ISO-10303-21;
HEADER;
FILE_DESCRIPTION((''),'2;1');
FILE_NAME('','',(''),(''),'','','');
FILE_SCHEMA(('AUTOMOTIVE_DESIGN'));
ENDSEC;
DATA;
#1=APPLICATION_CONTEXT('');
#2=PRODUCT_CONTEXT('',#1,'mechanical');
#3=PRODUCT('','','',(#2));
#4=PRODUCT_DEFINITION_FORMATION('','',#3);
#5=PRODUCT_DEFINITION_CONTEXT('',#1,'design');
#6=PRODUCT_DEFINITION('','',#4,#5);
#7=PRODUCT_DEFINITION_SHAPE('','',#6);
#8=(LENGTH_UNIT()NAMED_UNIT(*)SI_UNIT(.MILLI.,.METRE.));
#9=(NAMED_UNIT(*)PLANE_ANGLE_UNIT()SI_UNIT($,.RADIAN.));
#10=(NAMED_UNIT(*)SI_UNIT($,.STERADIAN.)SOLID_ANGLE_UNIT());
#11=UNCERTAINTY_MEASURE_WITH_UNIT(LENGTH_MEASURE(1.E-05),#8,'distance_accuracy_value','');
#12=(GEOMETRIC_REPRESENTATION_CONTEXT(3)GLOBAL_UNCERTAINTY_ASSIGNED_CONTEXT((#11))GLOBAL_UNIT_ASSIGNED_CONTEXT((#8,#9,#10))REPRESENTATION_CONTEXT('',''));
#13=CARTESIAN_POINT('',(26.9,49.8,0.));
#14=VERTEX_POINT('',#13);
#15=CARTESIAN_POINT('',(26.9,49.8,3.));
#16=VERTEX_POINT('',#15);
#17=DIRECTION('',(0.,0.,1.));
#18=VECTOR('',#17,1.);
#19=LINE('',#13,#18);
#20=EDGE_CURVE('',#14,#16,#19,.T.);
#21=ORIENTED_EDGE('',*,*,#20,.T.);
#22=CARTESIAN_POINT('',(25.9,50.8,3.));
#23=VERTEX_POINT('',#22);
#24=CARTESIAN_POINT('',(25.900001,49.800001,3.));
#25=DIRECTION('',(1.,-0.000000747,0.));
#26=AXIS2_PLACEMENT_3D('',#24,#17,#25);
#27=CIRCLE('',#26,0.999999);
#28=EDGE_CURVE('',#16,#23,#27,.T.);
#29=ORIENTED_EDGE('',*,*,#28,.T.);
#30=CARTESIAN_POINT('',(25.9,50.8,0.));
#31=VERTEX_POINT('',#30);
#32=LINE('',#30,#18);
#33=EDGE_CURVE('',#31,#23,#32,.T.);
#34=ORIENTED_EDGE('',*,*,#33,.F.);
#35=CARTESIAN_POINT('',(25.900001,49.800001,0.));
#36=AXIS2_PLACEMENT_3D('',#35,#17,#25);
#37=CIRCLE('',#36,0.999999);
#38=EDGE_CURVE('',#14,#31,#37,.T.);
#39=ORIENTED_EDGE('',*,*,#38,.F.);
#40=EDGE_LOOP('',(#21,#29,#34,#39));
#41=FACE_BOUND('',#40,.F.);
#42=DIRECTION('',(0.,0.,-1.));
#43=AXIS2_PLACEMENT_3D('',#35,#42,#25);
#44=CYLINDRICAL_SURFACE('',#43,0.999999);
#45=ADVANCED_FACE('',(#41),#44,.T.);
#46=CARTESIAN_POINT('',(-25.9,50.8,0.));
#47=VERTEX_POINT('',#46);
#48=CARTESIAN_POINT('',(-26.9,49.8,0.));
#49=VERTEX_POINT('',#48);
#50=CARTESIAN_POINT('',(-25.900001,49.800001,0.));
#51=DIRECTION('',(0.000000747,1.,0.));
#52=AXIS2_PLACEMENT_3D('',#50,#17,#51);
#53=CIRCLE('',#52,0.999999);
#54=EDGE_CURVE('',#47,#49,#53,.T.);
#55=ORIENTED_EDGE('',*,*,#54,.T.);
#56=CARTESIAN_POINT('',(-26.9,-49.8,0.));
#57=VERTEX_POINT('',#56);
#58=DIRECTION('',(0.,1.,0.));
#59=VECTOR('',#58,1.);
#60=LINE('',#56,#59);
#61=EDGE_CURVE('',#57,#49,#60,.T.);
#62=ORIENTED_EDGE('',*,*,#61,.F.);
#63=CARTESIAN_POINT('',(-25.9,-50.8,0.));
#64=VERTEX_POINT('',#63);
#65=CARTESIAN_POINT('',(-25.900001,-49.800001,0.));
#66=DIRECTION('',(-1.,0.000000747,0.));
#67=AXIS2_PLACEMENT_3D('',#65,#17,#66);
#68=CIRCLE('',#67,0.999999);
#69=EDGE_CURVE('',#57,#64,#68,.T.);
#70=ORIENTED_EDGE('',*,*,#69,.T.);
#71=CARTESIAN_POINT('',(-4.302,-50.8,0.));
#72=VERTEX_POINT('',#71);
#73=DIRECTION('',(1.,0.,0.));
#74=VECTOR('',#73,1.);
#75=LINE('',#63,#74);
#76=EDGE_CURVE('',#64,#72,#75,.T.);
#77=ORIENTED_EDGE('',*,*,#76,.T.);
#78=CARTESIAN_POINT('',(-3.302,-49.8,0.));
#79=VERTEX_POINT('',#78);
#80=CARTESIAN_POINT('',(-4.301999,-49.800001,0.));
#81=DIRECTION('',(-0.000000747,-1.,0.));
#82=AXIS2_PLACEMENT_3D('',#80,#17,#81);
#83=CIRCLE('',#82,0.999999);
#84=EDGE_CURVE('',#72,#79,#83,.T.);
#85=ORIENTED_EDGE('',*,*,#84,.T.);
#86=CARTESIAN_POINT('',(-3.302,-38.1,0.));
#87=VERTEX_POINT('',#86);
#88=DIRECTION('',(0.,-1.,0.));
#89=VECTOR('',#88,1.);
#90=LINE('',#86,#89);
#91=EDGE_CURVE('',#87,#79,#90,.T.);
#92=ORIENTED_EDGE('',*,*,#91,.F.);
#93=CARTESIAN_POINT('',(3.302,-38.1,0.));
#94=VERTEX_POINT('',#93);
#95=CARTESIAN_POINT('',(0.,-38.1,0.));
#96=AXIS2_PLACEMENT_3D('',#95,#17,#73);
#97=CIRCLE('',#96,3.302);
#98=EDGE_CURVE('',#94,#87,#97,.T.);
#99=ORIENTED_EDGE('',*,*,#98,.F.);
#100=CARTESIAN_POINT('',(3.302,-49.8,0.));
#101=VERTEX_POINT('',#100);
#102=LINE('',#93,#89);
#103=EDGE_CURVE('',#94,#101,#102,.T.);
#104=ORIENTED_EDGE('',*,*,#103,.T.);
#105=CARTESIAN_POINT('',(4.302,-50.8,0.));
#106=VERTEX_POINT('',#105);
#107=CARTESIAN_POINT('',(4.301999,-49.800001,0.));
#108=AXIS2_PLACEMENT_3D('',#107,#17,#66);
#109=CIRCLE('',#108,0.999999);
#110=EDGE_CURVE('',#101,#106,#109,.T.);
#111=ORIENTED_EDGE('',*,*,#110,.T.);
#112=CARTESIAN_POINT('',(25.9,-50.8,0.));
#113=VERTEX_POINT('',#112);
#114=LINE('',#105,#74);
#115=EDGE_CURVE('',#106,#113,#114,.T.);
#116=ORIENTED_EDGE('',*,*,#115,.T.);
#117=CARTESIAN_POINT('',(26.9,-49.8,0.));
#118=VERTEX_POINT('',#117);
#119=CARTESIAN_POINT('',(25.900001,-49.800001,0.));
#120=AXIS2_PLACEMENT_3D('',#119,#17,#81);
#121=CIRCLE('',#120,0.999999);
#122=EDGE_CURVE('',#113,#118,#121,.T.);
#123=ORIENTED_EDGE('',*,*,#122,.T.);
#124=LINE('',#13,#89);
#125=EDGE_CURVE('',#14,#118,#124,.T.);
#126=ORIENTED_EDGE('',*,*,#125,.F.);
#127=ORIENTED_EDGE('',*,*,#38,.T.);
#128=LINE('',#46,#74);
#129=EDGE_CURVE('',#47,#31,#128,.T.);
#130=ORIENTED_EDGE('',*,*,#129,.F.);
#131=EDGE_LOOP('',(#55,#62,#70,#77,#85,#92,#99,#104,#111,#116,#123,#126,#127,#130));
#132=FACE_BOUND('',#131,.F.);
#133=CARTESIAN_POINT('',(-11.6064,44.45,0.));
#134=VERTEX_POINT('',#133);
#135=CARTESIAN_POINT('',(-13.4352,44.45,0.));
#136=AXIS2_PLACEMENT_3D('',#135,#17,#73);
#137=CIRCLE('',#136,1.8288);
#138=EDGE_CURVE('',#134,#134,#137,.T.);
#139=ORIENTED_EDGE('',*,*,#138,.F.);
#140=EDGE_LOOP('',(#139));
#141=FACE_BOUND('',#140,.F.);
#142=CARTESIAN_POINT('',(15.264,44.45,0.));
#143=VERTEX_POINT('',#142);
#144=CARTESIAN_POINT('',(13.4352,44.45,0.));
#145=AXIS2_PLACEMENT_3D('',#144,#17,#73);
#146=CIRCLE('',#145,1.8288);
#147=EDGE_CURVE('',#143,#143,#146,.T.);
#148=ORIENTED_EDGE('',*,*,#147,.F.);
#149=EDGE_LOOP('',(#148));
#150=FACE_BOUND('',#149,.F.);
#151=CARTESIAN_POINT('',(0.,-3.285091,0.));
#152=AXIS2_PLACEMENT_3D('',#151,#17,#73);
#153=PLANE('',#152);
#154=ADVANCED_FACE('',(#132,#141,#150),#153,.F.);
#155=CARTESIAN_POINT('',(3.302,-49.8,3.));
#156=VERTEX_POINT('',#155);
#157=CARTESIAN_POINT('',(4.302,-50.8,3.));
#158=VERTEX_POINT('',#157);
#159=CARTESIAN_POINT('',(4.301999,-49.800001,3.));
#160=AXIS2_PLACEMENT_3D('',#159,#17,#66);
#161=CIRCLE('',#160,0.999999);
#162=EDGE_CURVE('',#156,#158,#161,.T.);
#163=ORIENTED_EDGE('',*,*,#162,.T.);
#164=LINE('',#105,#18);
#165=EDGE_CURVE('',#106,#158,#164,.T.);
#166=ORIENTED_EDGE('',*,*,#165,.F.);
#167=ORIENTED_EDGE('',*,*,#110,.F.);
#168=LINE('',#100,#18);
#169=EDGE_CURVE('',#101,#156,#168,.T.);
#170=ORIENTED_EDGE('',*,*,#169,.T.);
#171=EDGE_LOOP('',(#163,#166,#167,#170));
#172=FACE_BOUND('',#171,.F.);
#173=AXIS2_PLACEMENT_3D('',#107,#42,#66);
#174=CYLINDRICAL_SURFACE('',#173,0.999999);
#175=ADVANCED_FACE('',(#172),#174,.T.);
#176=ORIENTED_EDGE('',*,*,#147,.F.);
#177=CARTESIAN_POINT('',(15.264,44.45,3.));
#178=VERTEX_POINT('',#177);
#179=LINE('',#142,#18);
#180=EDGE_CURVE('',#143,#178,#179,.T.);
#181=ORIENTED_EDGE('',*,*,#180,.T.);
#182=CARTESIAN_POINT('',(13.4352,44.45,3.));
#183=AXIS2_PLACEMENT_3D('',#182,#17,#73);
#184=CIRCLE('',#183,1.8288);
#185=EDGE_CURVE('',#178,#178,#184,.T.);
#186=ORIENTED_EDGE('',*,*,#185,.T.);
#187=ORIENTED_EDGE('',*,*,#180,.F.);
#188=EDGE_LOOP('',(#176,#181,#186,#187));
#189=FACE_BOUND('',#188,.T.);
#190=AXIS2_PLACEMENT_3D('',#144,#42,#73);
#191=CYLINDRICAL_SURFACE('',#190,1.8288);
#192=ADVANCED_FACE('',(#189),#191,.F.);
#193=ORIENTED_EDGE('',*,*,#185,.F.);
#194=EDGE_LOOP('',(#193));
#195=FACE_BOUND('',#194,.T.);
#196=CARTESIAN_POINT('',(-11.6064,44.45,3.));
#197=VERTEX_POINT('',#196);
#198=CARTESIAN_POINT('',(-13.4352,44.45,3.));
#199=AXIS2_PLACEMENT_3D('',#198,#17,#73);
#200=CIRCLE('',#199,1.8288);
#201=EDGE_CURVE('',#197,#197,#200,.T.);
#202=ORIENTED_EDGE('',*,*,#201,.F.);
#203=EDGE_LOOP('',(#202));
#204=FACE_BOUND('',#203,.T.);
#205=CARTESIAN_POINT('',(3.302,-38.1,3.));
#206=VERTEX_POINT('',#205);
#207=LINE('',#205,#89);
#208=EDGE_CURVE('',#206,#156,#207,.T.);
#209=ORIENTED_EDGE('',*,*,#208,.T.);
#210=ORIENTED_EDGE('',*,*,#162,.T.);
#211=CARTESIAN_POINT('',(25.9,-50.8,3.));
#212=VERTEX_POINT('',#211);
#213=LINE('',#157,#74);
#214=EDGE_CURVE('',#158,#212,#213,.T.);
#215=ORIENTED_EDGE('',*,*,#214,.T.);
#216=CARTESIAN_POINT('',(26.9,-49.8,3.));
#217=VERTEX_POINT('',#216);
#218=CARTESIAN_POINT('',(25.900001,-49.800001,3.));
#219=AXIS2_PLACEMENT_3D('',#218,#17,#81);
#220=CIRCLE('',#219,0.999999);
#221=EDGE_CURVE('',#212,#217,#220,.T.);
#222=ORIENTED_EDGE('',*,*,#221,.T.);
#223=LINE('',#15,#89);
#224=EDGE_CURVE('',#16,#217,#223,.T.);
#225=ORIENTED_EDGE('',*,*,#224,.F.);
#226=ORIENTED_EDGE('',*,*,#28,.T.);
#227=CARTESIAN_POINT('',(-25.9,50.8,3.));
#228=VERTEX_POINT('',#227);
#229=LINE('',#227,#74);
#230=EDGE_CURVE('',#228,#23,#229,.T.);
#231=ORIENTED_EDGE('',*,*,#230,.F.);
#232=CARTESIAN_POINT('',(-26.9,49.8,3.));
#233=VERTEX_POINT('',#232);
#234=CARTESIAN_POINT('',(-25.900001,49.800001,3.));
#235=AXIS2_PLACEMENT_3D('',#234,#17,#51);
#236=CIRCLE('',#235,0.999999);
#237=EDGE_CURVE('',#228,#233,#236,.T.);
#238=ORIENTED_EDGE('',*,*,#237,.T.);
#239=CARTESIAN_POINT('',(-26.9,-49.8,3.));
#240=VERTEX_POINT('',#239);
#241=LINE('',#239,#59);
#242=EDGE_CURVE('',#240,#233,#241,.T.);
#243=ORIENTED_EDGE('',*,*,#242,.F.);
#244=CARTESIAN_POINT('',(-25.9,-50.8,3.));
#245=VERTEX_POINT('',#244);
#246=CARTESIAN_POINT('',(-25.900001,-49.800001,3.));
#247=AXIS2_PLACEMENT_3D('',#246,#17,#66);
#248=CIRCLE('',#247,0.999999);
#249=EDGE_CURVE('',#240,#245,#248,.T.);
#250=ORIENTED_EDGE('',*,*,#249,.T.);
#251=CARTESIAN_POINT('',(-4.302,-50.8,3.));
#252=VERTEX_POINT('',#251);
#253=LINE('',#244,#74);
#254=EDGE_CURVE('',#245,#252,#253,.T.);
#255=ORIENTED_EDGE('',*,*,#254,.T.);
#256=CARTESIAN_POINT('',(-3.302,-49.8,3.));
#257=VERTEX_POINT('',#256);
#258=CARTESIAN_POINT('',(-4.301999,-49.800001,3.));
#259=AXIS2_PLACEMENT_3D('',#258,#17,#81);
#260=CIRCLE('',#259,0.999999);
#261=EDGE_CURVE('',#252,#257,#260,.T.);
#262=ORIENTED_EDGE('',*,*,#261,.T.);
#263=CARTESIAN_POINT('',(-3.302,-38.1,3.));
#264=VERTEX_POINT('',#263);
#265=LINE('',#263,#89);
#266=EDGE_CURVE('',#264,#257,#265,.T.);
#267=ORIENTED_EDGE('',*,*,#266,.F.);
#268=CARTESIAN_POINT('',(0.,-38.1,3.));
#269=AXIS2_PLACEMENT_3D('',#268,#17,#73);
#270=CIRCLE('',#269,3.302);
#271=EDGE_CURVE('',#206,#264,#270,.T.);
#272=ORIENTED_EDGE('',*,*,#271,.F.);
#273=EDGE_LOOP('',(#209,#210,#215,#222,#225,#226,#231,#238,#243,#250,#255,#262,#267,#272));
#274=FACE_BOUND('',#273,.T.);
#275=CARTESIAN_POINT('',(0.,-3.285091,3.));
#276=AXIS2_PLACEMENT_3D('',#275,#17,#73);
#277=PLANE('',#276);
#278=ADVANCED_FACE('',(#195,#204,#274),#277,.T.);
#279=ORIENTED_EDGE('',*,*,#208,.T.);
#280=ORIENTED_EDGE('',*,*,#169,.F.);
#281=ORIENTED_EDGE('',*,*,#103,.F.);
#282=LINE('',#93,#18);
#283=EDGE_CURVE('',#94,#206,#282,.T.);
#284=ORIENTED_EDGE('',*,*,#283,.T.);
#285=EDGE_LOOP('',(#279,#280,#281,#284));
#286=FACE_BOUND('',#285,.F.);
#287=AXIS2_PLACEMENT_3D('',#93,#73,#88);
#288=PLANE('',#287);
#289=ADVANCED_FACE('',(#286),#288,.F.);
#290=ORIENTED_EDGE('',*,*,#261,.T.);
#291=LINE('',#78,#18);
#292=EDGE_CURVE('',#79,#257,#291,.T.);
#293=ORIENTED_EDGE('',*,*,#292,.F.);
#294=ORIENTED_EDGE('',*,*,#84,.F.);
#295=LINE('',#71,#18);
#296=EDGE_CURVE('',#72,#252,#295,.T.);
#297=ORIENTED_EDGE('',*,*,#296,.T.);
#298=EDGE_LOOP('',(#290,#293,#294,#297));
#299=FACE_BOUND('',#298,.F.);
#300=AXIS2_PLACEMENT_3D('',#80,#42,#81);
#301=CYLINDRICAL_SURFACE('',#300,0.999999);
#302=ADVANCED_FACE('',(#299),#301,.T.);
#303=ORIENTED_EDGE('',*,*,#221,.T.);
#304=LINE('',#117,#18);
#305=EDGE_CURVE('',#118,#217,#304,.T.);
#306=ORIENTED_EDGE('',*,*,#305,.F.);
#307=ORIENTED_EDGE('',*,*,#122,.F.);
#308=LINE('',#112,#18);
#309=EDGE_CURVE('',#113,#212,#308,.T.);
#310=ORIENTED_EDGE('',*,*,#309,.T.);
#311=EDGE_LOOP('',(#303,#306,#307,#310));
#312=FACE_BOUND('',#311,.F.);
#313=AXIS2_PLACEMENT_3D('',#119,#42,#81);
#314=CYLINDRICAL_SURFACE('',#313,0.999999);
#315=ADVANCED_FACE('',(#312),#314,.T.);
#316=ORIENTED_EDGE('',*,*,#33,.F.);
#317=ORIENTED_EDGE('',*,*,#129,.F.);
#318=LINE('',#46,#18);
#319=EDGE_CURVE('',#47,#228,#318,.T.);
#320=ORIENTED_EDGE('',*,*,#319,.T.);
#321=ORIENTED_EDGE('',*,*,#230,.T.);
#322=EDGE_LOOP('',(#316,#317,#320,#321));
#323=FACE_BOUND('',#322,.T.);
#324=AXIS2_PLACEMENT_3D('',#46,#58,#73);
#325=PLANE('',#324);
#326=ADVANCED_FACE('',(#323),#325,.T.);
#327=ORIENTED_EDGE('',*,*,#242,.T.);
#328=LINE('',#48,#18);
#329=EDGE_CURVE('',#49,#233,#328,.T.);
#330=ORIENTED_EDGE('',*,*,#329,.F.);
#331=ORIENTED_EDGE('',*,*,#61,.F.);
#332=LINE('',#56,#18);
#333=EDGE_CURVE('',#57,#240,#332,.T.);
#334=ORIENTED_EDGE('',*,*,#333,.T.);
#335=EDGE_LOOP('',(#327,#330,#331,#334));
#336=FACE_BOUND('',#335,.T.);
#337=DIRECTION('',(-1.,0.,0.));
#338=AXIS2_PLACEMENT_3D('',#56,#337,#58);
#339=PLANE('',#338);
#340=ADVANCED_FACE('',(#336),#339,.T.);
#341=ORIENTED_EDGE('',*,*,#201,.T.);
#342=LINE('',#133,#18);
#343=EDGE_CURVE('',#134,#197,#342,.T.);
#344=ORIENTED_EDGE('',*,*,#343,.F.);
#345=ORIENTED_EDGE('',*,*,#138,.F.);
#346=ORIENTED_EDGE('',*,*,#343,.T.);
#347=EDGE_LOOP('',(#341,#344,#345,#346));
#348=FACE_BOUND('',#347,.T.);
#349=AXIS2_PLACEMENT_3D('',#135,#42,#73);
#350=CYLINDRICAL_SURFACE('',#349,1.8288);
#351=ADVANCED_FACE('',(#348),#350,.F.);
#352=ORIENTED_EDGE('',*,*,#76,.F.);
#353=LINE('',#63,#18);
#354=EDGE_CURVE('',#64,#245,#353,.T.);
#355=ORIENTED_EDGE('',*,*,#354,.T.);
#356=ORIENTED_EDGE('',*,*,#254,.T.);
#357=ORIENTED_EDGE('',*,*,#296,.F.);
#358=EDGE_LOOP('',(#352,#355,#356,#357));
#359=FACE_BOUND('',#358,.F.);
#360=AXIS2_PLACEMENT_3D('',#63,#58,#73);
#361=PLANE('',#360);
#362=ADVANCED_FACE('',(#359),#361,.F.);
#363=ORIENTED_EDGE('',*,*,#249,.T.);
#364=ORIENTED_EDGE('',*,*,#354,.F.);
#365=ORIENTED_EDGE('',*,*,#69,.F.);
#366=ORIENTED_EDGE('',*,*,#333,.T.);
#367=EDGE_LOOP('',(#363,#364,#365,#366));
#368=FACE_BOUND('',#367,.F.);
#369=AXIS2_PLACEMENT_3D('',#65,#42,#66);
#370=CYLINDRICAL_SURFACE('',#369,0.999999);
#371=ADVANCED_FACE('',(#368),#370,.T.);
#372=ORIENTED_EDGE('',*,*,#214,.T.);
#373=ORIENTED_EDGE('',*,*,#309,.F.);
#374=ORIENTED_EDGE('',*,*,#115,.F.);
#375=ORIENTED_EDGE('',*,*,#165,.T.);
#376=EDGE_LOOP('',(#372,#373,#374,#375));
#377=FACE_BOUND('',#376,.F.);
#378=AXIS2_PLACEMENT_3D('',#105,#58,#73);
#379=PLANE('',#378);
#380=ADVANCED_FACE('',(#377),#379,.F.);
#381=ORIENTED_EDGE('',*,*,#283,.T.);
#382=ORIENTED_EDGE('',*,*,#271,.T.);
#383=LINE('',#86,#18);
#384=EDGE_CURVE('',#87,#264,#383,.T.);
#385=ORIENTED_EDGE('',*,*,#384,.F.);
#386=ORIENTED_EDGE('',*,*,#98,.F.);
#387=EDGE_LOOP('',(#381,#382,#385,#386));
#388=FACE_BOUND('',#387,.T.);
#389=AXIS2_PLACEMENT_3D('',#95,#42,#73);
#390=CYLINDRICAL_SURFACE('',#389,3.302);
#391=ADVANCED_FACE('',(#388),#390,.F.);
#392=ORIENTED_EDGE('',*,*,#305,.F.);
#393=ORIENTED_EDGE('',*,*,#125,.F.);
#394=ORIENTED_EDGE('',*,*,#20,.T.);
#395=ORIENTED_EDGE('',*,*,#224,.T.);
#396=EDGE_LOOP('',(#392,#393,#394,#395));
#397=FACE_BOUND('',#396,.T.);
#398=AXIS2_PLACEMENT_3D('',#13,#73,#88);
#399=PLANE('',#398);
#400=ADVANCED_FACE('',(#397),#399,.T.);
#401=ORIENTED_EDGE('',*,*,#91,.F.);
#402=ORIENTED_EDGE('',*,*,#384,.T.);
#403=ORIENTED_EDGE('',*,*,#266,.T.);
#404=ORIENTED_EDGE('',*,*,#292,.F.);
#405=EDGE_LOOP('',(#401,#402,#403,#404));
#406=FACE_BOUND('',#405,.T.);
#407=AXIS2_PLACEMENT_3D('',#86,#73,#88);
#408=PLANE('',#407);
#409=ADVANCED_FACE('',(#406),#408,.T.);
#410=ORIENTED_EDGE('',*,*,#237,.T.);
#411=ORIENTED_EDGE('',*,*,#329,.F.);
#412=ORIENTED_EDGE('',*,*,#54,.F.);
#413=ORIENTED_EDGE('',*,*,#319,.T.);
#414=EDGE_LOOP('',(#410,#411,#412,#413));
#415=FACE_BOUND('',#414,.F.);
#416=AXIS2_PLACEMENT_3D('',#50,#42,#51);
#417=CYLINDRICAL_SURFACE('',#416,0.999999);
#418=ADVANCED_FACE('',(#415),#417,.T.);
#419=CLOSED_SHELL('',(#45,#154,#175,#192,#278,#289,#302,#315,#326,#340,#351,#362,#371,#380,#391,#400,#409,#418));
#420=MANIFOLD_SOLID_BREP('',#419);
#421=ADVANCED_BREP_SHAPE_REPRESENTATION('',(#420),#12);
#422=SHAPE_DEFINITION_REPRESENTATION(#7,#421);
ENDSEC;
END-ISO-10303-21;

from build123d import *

# Parameters (mm, degrees)
SKETCH_R  = 1.8288
PAD_DEPTH = 3


with BuildPart() as part:
    # Sketch → Pad (new body)
    with BuildSketch(Plane.XY):
        with BuildLine():
            ThreePointArc((-25.9, 50.8), (-26.607107, 50.507107), (-26.9, 49.8))
            Line((-26.9, -49.8), (-26.9, 49.8))
            ThreePointArc((-26.9, -49.8), (-26.607107, -50.507107), (-25.9, -50.8))
            Line((-25.9, -50.8), (-4.302, -50.8))
            ThreePointArc((-4.302, -50.8), (-3.594893, -50.507107), (-3.302, -49.8))
            Line((-3.302, -38.1), (-3.302, -49.8))
            ThreePointArc((3.302, -38.1), (0, -34.798), (-3.302, -38.1))
            Line((3.302, -38.1), (3.302, -49.8))
            ThreePointArc((3.302, -49.8), (3.594893, -50.507107), (4.302, -50.8))
            Line((4.302, -50.8), (25.9, -50.8))
            ThreePointArc((25.9, -50.8), (26.607107, -50.507107), (26.9, -49.8))
            Line((26.9, 49.8), (26.9, -49.8))
            ThreePointArc((26.9, 49.8), (26.607107, 50.507107), (25.9, 50.8))
            Line((-25.9, 50.8), (25.9, 50.8))
        make_face()
        with Locations((-13.4352, 44.45)):
            Circle(SKETCH_R, mode=Mode.SUBTRACT)
        with Locations((13.4352, 44.45)):
            Circle(SKETCH_R, mode=Mode.SUBTRACT)
    extrude(amount=PAD_DEPTH)


solid = part.part
